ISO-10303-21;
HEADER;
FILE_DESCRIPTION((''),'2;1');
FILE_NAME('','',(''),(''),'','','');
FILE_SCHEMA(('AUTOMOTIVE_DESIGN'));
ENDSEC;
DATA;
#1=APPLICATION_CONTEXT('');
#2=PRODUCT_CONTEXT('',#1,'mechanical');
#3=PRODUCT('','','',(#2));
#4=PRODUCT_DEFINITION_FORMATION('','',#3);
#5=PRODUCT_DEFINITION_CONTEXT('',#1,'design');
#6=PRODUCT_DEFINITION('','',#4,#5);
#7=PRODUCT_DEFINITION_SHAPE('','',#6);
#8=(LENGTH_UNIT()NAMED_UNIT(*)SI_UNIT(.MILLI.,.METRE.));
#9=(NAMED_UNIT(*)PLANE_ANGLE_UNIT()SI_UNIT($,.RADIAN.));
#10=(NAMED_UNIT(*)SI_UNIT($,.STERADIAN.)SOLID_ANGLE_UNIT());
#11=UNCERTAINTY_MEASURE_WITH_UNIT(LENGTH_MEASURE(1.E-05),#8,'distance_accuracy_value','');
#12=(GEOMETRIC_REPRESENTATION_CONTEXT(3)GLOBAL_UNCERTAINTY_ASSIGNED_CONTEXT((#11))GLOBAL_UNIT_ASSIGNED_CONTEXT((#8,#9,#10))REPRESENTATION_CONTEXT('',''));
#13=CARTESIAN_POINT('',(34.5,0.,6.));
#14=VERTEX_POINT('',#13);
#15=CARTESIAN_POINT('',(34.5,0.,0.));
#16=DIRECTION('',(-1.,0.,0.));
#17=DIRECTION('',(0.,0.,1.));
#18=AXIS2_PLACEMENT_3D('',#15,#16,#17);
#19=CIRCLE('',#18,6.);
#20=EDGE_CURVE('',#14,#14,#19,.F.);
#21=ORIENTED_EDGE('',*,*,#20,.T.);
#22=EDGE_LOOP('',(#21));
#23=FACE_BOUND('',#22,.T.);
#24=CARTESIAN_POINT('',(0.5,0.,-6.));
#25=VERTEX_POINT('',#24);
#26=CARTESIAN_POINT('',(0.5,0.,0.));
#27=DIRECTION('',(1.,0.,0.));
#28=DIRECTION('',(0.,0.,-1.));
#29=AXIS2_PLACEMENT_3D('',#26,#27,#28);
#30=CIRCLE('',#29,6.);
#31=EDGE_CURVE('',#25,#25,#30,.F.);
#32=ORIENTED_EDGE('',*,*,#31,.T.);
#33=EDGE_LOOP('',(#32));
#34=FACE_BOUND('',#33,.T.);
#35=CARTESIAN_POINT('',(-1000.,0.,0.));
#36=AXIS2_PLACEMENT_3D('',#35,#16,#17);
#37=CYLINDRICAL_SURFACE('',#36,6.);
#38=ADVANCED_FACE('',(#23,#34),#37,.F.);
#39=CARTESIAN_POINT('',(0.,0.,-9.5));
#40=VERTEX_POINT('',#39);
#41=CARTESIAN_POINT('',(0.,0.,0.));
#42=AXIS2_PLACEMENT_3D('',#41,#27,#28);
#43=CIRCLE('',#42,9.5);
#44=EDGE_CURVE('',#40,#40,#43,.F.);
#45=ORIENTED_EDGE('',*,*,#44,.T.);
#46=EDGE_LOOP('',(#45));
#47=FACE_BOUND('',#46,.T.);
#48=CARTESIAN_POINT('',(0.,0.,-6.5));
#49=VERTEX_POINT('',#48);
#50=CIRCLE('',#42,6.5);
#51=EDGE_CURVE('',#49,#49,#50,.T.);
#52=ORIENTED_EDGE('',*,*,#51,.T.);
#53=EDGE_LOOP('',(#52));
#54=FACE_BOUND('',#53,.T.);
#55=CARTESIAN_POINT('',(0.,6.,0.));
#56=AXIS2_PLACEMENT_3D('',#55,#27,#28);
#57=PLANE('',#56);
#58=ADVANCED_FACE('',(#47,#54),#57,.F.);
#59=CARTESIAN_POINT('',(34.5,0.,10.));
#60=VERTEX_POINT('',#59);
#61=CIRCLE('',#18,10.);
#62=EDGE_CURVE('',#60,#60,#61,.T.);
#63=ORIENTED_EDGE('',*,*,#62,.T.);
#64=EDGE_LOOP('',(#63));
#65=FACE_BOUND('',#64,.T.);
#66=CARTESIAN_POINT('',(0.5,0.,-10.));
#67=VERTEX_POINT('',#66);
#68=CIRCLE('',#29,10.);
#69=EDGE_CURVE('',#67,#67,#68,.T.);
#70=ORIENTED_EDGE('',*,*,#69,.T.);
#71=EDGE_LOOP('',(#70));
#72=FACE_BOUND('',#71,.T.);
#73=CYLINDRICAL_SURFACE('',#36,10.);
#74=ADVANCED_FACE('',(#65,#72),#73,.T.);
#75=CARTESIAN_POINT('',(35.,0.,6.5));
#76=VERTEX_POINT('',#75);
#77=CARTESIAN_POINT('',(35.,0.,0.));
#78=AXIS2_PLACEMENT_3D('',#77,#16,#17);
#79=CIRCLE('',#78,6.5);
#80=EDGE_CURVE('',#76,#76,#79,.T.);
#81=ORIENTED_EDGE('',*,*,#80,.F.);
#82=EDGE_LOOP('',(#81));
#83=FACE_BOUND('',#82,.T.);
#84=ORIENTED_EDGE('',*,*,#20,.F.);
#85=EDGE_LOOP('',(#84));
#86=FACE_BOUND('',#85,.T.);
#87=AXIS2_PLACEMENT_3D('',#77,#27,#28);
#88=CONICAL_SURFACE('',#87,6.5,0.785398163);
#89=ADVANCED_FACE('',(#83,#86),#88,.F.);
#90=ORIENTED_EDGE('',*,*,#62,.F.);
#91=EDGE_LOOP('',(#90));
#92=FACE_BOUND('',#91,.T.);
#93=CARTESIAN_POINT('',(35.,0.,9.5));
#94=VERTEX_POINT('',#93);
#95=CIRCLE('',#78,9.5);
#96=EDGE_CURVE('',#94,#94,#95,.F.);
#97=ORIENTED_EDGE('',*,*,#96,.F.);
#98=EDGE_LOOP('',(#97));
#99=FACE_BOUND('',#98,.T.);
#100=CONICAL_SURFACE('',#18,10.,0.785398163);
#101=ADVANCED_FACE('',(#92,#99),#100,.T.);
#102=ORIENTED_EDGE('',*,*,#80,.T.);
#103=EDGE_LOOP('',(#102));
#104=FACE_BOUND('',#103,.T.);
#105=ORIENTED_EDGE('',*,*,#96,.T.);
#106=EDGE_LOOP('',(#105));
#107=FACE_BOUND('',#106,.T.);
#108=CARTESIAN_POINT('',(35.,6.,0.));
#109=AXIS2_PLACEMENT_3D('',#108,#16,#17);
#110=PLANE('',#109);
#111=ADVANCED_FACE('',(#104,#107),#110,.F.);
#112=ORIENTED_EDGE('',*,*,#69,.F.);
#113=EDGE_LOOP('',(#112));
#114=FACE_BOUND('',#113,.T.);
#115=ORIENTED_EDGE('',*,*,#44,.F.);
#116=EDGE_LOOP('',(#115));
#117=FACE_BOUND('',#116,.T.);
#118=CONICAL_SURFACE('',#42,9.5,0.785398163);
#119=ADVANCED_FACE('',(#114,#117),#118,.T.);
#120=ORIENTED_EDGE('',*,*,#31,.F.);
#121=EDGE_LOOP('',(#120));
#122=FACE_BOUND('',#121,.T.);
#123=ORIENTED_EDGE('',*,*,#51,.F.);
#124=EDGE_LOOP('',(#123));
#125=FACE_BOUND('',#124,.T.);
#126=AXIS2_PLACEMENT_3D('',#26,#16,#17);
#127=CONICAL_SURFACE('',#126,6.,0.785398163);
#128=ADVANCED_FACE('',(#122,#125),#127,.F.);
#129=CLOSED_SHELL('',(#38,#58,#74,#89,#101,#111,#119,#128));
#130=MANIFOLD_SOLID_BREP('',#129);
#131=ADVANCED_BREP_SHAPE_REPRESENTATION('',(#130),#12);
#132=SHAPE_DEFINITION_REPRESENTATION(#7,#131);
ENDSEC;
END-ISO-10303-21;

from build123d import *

# Parameters (mm, degrees)
SKETCH1_W     = 35
SKETCH1_H     = 4
CHAMFER1_SIZE = 0.5


with BuildPart() as part:
    # Sketch1 → Revolve1 (revolve)
    with BuildSketch(Plane.XY):
        with Locations((17.5, 8)):
            Rectangle(SKETCH1_W, SKETCH1_H)
    revolve(axis=Axis((-1000, 0, 0), (1, 0, 0)))

    # Chamfer1
    chamfer1_edges = [part.edges().sort_by_distance(p)[0] for p in [
        (0, -6, 0),
        (35, -6, 0),
        (35, -10, 0),
        (0, -10, 0),
    ]]
    chamfer(chamfer1_edges, length=CHAMFER1_SIZE)


solid = part.part
